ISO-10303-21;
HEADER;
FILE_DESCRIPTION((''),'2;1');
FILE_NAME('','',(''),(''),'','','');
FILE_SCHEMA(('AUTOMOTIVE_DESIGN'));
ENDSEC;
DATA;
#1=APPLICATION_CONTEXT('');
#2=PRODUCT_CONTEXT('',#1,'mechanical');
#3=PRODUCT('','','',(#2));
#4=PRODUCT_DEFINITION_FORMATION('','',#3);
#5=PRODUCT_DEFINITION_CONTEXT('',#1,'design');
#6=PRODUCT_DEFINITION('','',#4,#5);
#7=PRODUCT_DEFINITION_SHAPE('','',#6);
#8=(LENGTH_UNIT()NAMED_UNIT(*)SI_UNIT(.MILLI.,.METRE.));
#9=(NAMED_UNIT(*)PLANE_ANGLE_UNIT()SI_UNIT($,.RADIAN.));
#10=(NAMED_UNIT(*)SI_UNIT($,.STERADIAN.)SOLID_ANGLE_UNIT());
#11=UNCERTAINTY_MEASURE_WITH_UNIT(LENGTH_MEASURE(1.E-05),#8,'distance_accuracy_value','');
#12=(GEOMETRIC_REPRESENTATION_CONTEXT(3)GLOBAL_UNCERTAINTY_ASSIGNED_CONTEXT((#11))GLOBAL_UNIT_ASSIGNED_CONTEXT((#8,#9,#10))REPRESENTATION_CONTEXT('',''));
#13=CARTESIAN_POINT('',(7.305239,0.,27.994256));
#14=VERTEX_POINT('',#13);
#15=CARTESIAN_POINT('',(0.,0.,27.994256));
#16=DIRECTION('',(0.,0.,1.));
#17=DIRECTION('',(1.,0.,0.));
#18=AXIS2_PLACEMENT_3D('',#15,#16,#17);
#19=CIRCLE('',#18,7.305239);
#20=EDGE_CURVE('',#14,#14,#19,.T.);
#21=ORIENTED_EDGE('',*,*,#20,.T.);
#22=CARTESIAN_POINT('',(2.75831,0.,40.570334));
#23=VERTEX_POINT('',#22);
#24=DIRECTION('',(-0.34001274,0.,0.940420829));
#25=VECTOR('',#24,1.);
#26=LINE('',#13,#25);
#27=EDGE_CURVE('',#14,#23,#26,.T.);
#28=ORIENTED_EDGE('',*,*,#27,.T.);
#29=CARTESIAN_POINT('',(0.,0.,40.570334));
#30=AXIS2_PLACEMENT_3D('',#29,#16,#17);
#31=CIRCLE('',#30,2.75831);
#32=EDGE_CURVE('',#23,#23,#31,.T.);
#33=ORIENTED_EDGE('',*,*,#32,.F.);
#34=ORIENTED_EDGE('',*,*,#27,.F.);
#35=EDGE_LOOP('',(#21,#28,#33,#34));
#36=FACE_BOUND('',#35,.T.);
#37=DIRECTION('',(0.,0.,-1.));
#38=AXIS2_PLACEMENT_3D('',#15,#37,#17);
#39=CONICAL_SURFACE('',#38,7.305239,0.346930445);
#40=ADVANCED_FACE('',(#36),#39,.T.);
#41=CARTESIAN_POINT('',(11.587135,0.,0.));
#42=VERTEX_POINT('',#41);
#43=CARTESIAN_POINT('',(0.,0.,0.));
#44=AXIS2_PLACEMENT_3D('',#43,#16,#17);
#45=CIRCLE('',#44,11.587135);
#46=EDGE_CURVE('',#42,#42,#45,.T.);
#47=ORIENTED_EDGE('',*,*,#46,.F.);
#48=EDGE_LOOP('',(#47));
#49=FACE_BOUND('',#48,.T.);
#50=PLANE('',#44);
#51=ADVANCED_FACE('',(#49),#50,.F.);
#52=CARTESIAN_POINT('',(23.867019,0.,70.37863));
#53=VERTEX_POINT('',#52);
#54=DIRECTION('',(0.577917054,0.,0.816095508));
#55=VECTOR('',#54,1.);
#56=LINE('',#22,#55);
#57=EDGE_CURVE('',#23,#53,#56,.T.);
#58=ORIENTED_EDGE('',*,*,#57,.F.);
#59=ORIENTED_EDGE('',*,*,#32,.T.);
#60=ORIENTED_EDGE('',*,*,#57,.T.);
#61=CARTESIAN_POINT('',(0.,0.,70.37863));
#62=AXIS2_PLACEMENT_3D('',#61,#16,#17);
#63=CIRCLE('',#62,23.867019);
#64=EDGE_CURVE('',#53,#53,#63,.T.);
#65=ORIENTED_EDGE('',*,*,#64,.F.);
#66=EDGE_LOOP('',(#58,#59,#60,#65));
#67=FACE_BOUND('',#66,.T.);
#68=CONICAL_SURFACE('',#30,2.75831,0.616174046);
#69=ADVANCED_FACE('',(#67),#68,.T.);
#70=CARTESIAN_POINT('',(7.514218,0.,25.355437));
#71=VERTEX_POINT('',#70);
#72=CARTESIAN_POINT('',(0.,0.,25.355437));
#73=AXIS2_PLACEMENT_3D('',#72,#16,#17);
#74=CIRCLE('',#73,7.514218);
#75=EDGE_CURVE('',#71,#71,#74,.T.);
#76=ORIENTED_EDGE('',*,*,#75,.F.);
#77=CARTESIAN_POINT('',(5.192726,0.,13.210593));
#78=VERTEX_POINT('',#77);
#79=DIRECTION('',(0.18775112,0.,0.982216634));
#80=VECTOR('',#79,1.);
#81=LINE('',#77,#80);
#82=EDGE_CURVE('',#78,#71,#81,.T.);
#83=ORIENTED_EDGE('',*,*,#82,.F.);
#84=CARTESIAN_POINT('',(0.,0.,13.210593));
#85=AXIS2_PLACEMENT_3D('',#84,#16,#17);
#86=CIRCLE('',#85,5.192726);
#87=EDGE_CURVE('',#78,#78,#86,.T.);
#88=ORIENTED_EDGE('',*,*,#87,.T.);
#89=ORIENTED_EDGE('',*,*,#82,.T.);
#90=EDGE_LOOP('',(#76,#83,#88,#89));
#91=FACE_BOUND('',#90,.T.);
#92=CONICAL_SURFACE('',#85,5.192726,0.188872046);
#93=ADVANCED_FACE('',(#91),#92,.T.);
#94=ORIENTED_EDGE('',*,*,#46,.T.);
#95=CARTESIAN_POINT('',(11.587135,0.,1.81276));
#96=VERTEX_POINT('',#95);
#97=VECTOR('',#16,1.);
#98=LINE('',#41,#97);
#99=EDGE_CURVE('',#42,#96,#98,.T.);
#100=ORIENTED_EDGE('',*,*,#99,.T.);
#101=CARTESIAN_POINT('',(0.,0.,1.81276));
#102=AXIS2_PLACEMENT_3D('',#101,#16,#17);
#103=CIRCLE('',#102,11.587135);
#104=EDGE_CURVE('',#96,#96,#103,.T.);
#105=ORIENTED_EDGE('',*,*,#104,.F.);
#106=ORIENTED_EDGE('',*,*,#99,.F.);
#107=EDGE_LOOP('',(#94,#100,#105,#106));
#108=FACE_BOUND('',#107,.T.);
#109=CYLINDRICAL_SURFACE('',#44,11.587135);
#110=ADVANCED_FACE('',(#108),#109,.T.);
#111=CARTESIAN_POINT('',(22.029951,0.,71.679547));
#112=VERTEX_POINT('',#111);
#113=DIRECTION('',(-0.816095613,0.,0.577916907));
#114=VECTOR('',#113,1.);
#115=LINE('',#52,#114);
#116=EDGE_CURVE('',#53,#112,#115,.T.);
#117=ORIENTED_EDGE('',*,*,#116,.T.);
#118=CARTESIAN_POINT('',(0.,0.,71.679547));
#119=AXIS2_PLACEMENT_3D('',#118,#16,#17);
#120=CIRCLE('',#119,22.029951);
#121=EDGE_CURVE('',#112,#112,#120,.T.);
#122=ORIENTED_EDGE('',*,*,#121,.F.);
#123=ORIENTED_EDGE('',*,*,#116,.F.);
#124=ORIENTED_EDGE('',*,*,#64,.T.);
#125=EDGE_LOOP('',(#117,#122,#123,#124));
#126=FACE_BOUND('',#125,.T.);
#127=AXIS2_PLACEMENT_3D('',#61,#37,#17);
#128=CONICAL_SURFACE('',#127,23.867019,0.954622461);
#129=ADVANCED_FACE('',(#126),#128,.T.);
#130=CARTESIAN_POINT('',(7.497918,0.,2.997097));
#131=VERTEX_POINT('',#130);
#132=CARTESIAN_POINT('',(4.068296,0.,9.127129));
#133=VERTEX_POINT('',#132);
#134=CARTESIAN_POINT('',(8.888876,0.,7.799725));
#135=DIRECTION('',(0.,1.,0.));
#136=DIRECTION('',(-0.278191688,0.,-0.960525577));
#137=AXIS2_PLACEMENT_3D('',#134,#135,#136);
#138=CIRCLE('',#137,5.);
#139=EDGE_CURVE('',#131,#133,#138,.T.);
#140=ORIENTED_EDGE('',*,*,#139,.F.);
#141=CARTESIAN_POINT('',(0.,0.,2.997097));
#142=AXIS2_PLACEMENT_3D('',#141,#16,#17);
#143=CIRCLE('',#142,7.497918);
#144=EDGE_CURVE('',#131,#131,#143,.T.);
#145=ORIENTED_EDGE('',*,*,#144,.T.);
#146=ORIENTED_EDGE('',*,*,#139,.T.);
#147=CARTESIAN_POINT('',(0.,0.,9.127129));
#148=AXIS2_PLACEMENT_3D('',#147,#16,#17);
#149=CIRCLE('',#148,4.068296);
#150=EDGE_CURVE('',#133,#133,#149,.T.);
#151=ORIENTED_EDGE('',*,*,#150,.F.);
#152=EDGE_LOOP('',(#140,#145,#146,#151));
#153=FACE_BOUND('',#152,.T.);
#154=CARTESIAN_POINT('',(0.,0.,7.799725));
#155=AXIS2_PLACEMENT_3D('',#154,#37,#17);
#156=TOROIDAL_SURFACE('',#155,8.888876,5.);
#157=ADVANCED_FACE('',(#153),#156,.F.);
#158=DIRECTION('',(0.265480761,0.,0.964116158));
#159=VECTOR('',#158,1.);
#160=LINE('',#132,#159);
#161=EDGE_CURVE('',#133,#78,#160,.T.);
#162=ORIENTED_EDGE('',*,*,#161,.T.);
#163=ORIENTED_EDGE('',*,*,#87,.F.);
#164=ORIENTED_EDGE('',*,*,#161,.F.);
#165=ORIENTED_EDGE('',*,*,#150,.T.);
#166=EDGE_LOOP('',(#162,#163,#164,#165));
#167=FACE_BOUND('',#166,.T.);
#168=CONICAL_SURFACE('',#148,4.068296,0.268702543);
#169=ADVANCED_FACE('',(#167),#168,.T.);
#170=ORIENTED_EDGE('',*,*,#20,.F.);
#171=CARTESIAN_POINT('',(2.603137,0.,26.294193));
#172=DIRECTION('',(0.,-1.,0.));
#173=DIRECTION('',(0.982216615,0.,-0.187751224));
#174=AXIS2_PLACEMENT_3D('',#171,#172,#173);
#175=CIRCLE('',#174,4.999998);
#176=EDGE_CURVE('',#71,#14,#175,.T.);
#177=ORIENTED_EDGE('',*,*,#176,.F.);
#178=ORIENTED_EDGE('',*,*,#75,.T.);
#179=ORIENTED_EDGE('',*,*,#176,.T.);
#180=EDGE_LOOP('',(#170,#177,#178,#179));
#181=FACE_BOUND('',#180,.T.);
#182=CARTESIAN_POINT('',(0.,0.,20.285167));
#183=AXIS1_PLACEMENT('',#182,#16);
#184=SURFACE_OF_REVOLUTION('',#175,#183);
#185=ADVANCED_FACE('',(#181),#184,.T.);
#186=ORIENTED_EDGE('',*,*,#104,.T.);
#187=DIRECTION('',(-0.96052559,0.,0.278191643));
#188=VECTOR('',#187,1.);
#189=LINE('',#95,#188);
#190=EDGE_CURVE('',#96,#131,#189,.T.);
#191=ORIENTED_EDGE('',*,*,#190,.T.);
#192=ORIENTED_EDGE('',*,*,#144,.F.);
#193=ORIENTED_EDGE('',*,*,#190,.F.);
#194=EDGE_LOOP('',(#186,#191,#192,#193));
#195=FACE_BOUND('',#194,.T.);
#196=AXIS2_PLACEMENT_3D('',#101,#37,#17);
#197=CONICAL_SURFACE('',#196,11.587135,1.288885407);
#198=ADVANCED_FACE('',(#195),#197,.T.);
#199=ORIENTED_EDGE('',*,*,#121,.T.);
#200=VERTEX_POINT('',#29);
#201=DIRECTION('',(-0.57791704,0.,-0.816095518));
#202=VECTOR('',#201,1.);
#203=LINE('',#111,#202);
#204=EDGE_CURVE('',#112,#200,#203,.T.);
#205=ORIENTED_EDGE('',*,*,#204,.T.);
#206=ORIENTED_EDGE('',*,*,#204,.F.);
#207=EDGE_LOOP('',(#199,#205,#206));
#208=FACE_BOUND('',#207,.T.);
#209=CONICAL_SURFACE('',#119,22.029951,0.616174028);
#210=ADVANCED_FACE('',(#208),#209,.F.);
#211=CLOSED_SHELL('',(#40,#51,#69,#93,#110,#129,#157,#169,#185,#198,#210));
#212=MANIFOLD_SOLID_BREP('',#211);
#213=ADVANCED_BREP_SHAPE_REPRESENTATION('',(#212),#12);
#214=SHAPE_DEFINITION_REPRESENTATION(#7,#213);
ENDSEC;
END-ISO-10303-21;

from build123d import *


with BuildPart() as f1:
    # F0 (on Front) → F1 (revolve)
    with BuildSketch(Plane.XZ):
        with BuildLine():
            Line((0, 40.570334), (0, 0))
            Line((0, 0), (11.587135, 0))
            Line((11.587135, 0), (11.587135, 1.81276))
            Line((11.587135, 1.81276), (7.497918, 2.997097))
            ThreePointArc((7.497918, 2.997097), (4.525377, 5.35844), (4.068296, 9.127129))
            Line((4.068296, 9.127129), (5.192726, 13.210593))
            Line((5.192726, 13.210593), (7.514218, 25.355437))
            ThreePointArc((7.514218, 25.355437), (7.587529, 26.688927), (7.305239, 27.994256))
            Line((7.305239, 27.994256), (2.75831, 40.570334))
            Line((2.75831, 40.570334), (23.867019, 70.37863))
            Line((23.867019, 70.37863), (22.029951, 71.679547))
            Line((22.029951, 71.679547), (0, 40.570334))
        make_face()
    revolve(axis=Axis((0, 0, 20.285167), (0, 0, 1)))


solid = f1.part
